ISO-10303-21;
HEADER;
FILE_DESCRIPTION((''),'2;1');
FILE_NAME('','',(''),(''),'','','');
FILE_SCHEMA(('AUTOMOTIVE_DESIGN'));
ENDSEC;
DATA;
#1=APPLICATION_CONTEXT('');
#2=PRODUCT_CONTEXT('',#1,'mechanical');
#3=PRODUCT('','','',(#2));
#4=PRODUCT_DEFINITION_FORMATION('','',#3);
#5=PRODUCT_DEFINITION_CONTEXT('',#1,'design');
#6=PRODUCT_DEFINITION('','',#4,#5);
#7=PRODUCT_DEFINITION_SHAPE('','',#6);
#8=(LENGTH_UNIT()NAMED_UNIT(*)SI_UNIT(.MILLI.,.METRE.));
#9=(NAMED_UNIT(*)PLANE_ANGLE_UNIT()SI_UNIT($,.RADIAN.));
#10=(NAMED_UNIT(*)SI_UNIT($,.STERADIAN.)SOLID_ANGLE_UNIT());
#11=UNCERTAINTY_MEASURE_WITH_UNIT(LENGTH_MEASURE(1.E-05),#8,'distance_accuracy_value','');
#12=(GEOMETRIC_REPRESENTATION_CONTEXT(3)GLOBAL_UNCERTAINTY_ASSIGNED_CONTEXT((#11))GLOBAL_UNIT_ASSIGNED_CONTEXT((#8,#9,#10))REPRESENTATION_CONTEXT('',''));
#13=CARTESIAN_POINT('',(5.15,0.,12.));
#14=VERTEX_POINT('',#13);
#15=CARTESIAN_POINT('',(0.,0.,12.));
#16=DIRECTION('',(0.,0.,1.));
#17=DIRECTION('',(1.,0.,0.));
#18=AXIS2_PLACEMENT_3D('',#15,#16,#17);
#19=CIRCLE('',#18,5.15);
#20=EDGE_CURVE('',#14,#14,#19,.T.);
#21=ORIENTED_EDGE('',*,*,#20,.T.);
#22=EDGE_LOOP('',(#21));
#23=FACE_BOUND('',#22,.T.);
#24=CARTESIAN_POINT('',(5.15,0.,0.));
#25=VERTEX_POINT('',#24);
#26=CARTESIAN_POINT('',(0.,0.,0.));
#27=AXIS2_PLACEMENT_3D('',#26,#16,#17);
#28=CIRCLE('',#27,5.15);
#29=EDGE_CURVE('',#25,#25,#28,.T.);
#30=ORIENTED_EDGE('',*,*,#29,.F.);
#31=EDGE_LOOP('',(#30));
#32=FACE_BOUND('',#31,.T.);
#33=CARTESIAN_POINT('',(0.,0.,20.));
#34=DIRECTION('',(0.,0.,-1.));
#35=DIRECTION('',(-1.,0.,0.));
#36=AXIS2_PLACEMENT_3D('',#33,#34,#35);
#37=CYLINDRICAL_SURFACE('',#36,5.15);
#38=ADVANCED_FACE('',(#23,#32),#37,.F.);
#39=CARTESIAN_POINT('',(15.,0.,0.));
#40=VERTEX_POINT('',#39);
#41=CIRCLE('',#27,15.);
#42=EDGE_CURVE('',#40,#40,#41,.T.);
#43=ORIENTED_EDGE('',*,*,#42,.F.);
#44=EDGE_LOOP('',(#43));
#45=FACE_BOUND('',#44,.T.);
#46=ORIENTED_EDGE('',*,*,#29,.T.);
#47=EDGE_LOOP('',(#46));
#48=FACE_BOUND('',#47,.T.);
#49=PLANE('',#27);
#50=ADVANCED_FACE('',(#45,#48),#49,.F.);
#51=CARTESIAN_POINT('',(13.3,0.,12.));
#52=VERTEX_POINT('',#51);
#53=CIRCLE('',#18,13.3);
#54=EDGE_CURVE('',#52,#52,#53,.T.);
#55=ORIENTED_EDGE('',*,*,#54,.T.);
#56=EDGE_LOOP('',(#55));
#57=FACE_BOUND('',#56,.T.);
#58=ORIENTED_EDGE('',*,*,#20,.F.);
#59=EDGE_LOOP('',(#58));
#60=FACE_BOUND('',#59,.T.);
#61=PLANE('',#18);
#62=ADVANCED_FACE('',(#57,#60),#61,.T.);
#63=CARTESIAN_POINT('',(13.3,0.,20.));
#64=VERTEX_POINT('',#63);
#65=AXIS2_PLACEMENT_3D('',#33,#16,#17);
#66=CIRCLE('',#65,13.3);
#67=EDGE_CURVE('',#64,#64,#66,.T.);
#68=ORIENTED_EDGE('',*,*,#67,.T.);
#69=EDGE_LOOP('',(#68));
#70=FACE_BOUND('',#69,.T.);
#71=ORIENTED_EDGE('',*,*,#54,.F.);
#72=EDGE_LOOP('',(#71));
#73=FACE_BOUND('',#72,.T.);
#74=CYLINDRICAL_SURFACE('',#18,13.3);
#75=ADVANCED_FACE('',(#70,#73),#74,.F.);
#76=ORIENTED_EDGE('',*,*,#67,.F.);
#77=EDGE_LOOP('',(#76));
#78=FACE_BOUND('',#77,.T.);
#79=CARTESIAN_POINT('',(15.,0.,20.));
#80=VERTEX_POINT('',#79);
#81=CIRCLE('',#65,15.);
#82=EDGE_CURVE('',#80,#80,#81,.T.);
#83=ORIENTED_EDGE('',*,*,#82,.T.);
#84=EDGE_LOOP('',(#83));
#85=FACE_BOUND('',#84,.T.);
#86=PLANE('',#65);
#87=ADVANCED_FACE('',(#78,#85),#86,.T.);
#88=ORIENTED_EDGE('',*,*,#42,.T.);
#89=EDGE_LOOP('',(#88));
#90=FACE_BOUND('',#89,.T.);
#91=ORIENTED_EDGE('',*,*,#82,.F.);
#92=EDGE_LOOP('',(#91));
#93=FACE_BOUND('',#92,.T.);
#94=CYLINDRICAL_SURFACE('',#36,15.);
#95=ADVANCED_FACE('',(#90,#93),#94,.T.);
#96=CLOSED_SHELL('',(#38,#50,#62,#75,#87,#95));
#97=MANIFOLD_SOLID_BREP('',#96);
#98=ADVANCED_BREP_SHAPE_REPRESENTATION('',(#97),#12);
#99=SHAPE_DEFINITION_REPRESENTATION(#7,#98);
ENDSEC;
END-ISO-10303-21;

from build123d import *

# Parameters (mm, degrees)
SKETCH1_R           = 15
SKETCH1_R_2         = 5.15
BOSS_EXTRUDE1_DEPTH = 20
SKETCH2_R           = 13.3
CUT_EXTRUDE1_DEPTH  = 8


with BuildPart() as part:
    # Sketch1 → Boss-Extrude1 (new body)
    with BuildSketch(Plane.XY):
        Circle(SKETCH1_R)
        Circle(SKETCH1_R_2, mode=Mode.SUBTRACT)
    extrude(amount=BOSS_EXTRUDE1_DEPTH)

    # Sketch2 → Cut-Extrude1 (cut)
    with BuildSketch(Plane.XY.offset(20)):
        Circle(SKETCH2_R)
    extrude(amount=-CUT_EXTRUDE1_DEPTH, mode=Mode.SUBTRACT)


solid = part.part
